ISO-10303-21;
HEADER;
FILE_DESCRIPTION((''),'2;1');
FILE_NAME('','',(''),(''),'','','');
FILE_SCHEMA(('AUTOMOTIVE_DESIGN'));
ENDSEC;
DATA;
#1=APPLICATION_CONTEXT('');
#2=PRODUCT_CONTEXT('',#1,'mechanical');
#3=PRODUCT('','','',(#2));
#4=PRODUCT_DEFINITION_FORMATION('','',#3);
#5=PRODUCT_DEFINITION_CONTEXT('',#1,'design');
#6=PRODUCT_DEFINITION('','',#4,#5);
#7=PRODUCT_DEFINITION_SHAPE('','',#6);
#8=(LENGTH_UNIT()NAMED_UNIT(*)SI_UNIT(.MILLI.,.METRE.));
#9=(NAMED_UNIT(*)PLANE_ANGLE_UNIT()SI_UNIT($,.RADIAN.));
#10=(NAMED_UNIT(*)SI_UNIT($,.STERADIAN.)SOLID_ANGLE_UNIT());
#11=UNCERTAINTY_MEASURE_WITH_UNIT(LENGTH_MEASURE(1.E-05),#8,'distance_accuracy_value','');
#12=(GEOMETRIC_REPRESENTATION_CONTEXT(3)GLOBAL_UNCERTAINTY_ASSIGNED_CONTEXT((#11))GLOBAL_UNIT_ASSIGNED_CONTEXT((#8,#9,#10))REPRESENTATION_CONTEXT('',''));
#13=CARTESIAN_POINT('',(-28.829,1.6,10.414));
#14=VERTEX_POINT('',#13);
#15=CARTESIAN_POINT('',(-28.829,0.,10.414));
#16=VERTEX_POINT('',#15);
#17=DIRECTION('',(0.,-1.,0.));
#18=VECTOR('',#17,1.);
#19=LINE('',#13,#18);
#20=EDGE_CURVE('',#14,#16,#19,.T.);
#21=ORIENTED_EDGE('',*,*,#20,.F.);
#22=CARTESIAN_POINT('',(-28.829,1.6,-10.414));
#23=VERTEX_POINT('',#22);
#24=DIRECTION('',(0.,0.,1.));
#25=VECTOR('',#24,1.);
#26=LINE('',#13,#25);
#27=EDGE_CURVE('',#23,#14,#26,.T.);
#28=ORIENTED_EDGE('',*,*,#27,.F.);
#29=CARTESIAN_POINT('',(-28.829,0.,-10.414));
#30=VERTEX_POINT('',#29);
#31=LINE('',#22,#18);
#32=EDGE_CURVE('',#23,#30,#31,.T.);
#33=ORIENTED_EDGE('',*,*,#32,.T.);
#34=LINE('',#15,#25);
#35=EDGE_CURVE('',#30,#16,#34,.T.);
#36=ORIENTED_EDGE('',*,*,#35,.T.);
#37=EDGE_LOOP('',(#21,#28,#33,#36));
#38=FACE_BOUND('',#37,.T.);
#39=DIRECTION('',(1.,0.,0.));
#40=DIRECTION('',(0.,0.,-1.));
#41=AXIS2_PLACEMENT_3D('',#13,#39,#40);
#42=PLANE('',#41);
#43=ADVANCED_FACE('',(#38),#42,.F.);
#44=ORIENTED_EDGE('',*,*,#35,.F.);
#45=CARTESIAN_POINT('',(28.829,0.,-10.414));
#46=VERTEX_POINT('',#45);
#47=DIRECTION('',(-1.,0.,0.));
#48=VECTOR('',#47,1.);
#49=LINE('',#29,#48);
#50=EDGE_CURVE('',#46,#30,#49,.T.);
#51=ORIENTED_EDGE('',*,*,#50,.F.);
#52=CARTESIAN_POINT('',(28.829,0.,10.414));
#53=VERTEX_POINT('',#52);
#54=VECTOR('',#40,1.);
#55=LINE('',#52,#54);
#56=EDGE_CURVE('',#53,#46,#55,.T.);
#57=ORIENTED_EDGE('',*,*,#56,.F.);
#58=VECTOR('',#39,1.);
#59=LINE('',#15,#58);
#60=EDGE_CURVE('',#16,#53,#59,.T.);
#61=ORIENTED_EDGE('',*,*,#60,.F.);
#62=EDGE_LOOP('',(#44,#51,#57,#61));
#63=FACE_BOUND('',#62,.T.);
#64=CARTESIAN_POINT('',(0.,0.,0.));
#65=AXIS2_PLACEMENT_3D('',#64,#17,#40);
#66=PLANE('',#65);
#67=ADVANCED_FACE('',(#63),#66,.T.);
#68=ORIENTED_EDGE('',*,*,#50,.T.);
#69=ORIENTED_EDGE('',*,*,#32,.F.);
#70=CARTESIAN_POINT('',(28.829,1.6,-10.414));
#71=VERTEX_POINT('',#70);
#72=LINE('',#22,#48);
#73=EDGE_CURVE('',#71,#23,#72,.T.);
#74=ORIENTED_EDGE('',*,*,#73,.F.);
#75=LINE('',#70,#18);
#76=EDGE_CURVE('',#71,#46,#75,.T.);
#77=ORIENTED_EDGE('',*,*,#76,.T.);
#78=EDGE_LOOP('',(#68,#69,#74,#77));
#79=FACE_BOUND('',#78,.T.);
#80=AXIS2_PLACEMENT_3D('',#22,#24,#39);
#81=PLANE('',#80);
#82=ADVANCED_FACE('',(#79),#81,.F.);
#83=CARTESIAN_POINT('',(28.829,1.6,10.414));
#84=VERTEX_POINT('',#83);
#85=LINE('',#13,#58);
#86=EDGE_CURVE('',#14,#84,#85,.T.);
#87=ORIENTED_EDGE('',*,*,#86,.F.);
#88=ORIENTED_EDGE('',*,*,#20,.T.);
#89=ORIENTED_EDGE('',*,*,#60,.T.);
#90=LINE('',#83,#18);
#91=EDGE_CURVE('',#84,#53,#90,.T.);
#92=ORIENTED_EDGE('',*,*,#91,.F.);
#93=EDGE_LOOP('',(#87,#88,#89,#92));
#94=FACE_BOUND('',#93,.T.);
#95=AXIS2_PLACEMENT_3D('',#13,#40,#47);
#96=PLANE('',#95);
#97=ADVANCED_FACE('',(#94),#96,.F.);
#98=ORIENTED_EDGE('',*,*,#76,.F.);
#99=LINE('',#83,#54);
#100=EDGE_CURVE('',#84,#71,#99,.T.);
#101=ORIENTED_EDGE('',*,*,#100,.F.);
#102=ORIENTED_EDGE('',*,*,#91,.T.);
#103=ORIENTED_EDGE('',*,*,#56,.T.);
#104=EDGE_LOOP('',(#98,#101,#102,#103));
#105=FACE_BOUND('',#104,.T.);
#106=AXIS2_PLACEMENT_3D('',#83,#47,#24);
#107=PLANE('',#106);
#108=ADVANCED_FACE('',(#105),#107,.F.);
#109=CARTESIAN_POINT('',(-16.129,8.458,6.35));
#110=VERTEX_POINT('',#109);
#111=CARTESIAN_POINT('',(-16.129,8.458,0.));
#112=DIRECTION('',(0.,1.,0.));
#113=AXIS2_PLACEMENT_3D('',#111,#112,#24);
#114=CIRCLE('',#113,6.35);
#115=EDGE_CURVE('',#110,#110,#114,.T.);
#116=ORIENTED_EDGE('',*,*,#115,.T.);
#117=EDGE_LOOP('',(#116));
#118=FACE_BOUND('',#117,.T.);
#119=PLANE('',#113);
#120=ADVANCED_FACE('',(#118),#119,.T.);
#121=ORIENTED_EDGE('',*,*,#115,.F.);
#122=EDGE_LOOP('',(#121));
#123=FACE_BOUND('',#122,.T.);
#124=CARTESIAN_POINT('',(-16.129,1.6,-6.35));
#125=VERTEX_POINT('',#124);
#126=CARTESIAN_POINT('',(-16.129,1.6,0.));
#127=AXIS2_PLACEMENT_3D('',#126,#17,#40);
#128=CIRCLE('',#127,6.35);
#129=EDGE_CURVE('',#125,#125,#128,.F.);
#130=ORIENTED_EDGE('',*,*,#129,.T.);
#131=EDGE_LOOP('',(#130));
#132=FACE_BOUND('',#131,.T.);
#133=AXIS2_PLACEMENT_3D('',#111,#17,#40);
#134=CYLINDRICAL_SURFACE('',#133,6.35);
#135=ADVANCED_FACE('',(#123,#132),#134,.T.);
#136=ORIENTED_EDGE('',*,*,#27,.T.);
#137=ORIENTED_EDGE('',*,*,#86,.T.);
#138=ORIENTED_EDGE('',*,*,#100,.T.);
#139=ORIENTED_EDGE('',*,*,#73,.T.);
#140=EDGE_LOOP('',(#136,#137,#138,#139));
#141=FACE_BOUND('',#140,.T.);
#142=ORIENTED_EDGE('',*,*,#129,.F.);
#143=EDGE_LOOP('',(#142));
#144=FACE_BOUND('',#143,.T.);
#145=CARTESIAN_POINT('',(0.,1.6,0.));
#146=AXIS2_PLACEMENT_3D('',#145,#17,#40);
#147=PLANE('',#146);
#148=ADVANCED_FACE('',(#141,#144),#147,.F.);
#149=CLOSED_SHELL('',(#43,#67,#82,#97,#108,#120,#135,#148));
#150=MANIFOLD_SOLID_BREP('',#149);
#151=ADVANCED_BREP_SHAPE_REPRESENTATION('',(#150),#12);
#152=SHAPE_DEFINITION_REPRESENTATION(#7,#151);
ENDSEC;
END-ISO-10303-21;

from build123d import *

# Parameters (mm, degrees)
SKETCH1_W           = 57.658
SKETCH1_H           = 20.828
BOSS_EXTRUDE1_DEPTH = 1.6
SKETCH2_R           = 6.35
BOSS_EXTRUDE2_DEPTH = 6.858


with BuildPart() as part:
    # Sketch1 → Boss-Extrude1 (new body)
    with BuildSketch(Plane(origin=(0, 0, 0), x_dir=(1, 0, 0), z_dir=(0, 1, 0))):
        Rectangle(SKETCH1_W, SKETCH1_H)
    extrude(amount=BOSS_EXTRUDE1_DEPTH)

    # Sketch2 → Boss-Extrude2 (add)
    with BuildSketch(Plane(origin=(0, 1.6, 0), x_dir=(1, 0, 0), z_dir=(0, 1, 0))):
        with Locations(Location((-16.129, 0, 0), (0, 0, 90))):
            Circle(SKETCH2_R)
    extrude(amount=BOSS_EXTRUDE2_DEPTH)


solid = part.part
